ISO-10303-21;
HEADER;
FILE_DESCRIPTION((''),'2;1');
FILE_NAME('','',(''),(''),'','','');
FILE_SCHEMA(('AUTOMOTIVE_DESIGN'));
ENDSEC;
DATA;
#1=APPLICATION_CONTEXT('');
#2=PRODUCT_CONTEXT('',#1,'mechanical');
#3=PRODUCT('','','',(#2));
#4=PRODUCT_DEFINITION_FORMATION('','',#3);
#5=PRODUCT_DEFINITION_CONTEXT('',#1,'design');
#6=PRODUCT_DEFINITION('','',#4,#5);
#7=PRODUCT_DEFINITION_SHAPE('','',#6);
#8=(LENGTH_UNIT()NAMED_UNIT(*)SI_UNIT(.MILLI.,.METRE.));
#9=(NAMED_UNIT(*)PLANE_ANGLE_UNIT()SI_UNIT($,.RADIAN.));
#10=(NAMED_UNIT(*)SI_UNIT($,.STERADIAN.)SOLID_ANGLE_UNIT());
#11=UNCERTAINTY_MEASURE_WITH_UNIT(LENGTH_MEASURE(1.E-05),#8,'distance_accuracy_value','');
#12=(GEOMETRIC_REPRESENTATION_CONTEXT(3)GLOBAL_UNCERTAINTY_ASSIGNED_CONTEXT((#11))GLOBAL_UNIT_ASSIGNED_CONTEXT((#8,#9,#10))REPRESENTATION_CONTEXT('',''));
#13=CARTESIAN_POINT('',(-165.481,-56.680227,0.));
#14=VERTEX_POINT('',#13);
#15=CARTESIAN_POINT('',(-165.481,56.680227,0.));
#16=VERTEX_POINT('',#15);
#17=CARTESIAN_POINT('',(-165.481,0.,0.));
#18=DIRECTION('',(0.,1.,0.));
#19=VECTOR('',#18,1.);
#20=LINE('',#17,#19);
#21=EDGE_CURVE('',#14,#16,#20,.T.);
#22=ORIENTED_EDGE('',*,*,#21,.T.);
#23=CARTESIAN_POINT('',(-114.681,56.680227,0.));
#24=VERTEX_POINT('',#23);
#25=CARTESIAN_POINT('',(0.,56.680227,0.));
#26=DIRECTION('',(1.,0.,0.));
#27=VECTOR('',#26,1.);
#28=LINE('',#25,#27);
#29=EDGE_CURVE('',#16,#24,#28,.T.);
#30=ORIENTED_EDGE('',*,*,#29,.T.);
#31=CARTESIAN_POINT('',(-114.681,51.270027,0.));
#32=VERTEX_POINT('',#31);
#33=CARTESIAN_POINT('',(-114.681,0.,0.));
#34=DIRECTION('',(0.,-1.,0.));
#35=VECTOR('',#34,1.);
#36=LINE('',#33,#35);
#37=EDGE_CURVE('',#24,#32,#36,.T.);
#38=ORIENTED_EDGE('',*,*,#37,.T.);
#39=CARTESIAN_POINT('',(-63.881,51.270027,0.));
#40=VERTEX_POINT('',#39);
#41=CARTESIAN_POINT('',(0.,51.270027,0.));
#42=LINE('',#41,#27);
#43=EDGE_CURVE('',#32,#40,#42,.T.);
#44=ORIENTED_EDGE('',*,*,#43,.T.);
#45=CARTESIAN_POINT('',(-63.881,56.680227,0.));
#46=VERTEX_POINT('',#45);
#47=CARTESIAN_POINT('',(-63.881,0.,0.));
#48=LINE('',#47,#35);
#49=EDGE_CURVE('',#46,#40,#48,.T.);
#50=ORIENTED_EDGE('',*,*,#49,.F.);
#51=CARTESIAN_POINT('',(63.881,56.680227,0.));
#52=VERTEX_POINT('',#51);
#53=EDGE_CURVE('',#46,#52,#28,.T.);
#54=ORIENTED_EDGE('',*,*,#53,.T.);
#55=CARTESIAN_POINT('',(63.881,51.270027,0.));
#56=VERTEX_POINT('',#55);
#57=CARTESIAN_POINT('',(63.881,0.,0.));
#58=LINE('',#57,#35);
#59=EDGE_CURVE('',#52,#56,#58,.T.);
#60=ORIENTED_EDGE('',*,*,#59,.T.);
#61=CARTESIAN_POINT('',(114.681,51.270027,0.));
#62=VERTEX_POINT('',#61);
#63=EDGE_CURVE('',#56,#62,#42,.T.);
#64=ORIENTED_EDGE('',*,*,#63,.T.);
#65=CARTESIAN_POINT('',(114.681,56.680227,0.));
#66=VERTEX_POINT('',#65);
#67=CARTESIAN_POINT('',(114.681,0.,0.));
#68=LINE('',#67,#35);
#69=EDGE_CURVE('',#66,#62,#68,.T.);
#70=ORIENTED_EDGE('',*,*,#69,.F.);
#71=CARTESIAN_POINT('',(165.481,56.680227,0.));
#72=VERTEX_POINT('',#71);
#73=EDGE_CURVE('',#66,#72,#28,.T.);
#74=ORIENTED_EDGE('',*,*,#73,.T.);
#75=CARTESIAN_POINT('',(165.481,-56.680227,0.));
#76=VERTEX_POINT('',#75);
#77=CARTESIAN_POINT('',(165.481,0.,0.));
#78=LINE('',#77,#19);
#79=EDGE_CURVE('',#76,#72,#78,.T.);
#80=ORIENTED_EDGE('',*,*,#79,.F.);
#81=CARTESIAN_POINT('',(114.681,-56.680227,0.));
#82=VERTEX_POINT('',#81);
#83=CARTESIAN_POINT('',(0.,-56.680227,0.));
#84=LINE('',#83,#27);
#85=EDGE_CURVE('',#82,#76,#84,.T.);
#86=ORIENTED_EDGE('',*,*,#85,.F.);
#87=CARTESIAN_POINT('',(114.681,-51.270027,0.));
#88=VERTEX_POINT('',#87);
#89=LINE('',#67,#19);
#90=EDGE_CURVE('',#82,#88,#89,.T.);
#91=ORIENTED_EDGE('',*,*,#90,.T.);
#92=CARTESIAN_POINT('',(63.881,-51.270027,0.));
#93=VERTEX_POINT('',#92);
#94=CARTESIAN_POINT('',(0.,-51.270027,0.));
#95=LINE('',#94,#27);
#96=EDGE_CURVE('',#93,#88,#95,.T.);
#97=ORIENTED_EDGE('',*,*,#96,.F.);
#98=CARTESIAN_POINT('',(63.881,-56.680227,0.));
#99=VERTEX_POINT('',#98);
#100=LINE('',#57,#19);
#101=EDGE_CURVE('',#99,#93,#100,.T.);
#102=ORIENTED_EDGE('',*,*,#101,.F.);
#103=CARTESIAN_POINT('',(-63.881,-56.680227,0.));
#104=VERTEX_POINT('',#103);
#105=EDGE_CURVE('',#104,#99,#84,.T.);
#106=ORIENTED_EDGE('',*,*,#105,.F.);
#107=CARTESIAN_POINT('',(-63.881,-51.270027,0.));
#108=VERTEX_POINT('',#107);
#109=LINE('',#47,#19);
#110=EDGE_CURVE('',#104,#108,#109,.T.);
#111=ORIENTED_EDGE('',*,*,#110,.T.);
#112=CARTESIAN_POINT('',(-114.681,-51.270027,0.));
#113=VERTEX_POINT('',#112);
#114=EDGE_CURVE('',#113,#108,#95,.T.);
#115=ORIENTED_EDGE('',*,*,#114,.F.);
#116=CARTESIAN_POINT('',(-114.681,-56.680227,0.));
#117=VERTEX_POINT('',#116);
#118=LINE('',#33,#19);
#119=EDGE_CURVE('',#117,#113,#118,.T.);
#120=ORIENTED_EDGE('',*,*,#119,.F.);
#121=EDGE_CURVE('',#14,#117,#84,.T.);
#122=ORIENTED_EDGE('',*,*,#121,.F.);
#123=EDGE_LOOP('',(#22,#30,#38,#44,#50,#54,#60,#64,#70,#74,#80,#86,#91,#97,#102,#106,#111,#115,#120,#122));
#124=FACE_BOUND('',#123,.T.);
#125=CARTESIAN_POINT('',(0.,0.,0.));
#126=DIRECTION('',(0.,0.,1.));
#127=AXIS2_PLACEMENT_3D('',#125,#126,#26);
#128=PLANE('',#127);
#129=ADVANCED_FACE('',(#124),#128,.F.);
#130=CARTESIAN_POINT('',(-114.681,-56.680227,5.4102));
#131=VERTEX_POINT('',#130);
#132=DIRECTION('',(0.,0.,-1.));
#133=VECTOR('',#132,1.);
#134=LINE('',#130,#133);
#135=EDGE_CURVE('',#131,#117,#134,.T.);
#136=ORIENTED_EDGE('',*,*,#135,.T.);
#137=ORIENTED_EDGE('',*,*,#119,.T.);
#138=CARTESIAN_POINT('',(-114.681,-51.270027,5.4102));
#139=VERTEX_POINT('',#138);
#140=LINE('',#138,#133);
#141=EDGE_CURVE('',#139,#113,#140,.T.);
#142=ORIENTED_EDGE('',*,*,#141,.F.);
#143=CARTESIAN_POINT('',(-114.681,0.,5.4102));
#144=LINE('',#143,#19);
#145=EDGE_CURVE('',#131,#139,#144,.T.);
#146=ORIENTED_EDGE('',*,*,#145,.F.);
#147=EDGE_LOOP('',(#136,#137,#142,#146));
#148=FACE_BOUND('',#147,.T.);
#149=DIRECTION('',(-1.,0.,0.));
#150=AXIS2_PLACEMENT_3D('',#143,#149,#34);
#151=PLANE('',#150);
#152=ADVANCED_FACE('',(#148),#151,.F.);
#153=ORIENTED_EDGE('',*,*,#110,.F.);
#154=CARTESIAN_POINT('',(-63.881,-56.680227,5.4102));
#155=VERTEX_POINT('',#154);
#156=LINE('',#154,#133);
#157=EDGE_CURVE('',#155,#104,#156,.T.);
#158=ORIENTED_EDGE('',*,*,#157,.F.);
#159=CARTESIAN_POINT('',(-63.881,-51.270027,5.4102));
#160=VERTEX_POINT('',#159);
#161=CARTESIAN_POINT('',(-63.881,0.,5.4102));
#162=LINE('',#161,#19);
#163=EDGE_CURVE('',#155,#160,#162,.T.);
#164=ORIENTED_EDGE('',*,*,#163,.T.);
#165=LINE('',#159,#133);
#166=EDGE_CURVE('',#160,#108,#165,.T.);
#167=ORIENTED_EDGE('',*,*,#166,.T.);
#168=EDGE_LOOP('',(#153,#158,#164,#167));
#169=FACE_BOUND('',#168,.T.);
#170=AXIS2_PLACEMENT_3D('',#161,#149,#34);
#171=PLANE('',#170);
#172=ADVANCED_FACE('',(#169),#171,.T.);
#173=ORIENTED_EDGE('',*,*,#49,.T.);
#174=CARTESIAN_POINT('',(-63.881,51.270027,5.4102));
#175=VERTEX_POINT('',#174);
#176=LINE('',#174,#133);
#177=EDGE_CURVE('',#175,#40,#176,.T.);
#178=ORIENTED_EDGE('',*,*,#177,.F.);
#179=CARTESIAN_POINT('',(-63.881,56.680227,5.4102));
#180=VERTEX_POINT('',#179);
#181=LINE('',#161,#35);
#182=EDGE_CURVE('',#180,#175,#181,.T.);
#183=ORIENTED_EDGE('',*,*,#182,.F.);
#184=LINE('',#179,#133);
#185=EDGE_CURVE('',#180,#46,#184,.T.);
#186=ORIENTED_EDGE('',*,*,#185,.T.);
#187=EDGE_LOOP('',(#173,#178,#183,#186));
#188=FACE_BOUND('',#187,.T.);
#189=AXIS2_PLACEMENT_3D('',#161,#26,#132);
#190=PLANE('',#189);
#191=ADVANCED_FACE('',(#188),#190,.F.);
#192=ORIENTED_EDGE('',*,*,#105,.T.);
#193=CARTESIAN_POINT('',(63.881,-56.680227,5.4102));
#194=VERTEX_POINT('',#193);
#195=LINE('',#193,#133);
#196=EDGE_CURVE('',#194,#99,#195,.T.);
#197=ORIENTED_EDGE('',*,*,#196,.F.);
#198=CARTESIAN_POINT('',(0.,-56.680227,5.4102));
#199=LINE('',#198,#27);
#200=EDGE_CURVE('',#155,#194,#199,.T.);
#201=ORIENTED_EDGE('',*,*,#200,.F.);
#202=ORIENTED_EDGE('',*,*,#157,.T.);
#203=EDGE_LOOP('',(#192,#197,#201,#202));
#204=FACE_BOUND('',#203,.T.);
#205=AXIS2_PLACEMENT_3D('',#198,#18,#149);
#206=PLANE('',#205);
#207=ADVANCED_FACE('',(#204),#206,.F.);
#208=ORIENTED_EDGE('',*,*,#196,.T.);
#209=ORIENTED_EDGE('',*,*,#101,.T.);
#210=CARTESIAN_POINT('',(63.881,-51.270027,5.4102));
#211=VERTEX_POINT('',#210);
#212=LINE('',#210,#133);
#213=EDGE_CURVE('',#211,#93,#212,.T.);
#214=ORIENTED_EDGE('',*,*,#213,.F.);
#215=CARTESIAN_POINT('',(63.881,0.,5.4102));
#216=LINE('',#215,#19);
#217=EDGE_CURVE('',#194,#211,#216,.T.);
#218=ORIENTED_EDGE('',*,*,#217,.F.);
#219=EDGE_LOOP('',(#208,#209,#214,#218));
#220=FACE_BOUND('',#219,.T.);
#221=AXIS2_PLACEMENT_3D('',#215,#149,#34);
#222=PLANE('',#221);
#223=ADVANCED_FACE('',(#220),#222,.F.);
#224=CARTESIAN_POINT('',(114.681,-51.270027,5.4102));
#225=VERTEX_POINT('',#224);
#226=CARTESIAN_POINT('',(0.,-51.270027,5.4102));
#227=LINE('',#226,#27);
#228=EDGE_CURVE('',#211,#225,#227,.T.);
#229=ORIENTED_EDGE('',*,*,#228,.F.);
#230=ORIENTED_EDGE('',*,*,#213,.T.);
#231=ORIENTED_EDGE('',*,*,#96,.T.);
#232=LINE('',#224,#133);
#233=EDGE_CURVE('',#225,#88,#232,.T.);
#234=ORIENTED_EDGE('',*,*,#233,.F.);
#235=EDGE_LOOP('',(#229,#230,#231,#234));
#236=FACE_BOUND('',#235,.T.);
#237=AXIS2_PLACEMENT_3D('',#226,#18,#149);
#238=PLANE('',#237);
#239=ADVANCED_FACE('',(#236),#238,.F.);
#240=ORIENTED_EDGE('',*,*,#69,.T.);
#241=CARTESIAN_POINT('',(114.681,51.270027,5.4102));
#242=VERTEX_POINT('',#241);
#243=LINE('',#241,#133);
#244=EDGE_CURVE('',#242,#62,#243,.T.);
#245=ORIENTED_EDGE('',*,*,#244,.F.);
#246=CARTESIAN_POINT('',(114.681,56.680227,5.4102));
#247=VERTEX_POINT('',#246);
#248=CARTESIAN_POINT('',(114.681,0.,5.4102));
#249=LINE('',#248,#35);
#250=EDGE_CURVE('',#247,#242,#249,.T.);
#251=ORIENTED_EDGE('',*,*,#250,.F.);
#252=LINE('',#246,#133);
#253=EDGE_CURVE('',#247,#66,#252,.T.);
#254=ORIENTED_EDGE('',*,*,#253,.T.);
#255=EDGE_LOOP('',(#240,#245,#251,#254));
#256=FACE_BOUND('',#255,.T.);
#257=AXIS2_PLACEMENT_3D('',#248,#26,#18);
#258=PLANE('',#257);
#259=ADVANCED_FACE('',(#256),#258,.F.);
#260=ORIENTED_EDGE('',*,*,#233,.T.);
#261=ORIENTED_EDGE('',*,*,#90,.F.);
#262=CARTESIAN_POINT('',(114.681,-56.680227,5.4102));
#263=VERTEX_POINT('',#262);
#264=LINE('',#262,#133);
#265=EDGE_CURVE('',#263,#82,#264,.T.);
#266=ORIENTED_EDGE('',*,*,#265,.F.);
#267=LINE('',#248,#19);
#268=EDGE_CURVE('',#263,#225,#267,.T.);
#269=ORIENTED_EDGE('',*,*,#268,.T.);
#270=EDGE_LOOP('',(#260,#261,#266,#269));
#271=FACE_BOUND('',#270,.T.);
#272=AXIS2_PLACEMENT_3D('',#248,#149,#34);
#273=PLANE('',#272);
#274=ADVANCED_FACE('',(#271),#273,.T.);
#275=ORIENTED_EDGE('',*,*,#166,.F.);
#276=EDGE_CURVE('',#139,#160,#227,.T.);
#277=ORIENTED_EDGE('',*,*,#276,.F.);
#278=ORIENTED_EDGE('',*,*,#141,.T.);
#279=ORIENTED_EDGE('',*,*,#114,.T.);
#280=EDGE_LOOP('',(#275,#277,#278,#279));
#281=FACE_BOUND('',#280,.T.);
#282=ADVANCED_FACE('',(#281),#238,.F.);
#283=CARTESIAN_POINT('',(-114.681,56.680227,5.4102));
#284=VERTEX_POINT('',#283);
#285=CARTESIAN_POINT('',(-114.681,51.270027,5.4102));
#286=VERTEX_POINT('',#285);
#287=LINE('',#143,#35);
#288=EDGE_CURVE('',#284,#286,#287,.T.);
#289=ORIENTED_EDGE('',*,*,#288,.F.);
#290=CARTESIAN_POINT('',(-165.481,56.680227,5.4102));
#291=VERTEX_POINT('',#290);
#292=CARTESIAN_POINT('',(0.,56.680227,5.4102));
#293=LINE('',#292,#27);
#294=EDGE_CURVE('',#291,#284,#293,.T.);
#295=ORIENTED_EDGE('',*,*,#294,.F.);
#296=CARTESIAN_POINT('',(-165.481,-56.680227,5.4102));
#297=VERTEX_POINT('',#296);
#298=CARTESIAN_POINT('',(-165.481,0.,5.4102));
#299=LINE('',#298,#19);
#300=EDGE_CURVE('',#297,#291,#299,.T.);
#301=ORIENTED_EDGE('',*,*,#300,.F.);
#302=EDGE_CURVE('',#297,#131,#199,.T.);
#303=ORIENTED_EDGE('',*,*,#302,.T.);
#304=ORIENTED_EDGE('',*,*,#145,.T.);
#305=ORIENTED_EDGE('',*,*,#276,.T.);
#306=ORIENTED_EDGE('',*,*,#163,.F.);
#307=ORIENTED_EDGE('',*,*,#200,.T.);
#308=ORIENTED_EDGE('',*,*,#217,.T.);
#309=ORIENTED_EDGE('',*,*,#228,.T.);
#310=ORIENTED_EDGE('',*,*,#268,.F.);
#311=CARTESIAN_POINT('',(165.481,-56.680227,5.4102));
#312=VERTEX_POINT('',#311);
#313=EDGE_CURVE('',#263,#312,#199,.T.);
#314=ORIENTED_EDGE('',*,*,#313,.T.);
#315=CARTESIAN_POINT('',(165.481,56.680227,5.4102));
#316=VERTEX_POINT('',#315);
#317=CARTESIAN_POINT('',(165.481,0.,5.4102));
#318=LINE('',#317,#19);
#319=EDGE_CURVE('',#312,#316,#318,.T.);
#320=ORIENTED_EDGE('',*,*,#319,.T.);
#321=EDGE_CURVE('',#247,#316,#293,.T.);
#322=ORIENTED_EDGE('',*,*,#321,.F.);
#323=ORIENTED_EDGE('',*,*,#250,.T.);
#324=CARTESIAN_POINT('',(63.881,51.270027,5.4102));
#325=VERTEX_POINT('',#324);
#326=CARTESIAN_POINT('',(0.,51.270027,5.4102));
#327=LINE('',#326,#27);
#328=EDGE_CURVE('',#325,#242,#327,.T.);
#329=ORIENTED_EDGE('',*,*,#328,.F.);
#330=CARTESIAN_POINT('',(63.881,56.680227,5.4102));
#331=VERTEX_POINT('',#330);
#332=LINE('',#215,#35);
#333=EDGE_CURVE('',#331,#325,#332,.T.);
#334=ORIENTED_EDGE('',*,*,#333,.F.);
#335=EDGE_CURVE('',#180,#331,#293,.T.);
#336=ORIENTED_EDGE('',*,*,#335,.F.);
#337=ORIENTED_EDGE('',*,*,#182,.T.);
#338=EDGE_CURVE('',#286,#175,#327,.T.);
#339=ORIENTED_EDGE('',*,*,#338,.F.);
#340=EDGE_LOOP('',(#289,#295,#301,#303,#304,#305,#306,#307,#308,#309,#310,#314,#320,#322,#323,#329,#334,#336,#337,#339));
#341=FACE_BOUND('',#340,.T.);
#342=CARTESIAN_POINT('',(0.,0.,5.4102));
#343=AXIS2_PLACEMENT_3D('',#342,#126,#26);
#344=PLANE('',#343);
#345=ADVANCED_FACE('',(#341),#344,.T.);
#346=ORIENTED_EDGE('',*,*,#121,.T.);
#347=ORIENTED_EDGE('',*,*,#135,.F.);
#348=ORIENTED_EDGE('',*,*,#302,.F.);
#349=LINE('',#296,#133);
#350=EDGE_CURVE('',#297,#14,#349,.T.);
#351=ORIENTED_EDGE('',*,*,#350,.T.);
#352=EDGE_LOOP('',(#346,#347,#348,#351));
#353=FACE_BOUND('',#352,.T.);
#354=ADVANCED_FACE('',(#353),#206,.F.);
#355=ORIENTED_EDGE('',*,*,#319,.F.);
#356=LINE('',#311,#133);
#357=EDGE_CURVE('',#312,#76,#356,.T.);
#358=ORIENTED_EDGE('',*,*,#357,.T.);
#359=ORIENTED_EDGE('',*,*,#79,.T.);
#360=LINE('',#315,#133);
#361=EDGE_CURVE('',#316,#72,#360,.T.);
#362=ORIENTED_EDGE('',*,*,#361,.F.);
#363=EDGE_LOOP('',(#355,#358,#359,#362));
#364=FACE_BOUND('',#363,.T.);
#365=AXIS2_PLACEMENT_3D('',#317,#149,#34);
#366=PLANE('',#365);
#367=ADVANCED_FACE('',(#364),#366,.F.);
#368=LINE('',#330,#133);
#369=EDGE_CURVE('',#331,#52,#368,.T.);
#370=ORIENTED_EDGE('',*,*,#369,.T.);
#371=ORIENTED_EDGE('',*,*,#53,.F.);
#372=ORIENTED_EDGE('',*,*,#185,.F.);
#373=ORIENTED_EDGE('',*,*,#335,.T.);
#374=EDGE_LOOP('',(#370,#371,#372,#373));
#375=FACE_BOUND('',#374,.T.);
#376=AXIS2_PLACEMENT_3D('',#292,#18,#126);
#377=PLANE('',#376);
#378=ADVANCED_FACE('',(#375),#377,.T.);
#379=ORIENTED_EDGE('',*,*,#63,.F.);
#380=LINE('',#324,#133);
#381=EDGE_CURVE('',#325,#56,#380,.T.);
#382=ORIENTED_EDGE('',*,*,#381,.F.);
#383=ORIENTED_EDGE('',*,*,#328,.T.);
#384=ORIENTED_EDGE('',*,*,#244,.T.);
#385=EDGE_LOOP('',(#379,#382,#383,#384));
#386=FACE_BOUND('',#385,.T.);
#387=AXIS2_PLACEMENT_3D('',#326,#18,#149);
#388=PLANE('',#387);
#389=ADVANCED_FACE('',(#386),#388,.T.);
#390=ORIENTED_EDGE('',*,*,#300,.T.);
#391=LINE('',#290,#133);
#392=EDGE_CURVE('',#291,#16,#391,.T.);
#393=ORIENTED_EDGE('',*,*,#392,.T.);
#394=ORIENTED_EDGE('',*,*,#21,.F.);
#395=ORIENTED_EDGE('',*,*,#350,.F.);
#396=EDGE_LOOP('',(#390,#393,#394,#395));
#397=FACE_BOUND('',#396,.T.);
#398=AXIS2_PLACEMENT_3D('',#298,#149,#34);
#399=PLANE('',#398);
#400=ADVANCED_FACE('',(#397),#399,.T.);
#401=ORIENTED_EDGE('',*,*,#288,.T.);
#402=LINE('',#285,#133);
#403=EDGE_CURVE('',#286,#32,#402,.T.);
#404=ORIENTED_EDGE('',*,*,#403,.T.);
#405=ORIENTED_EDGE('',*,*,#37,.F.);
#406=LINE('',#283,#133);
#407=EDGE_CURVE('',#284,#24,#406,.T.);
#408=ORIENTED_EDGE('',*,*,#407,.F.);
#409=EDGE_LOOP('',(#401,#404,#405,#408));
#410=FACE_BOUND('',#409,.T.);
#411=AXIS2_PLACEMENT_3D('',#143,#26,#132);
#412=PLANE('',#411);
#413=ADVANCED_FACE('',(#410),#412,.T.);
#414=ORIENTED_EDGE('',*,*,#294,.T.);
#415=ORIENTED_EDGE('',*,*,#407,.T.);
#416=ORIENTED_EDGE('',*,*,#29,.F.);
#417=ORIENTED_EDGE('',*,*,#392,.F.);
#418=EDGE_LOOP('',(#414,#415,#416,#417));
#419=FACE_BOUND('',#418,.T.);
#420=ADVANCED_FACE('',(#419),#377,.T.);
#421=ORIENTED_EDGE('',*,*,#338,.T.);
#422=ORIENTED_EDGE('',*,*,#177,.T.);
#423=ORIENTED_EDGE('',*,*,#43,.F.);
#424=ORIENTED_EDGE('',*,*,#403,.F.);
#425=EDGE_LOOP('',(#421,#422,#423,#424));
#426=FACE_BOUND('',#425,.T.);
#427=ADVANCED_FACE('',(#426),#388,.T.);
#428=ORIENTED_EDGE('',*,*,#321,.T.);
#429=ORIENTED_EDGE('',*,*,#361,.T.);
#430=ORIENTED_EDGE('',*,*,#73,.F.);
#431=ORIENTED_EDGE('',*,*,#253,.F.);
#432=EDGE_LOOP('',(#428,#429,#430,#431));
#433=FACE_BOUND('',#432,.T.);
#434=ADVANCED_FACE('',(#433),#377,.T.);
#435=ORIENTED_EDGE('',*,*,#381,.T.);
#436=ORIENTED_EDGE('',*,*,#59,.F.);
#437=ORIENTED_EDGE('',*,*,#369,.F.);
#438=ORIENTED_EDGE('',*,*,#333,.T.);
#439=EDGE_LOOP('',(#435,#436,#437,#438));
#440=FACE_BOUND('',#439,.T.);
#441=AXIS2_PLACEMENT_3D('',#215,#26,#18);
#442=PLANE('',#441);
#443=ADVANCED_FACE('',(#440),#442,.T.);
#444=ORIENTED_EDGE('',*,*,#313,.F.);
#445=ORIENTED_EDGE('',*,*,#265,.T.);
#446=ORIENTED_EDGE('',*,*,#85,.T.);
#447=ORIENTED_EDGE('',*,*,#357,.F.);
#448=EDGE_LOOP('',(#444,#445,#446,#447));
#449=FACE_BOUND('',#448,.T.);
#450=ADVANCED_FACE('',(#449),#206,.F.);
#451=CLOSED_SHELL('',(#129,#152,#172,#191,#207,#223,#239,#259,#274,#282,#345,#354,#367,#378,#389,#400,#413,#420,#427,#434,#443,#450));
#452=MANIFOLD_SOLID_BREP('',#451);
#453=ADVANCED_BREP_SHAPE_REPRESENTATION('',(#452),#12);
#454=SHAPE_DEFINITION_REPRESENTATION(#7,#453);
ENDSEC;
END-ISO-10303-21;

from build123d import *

# Parameters (mm, degrees)
BOSS_EXTRUDE1_DEPTH = 5.4102


with BuildPart() as part:
    # Sketch1 → Boss-Extrude1 (new body)
    with BuildSketch(Plane.XY):
        Polygon((-165.481, 56.680227), (-165.481, 0), (165.481, 0), (165.481, 56.680227), (114.681, 56.680227), (114.681, 51.270027), (63.881, 51.270027), (63.881, 56.680227), (-63.881, 56.680227), (-63.881, 51.270027), (-114.681, 51.270027), (-114.681, 56.680227), align=None)
        Polygon((-165.481, 0), (-165.481, -56.680227), (-114.681, -56.680227), (-114.681, -51.270027), (-63.881, -51.270027), (-63.881, -56.680227), (63.881, -56.680227), (63.881, -51.270027), (114.681, -51.270027), (114.681, -56.680227), (165.481, -56.680227), (165.481, 0), align=None)
    extrude(amount=BOSS_EXTRUDE1_DEPTH)


solid = part.part
